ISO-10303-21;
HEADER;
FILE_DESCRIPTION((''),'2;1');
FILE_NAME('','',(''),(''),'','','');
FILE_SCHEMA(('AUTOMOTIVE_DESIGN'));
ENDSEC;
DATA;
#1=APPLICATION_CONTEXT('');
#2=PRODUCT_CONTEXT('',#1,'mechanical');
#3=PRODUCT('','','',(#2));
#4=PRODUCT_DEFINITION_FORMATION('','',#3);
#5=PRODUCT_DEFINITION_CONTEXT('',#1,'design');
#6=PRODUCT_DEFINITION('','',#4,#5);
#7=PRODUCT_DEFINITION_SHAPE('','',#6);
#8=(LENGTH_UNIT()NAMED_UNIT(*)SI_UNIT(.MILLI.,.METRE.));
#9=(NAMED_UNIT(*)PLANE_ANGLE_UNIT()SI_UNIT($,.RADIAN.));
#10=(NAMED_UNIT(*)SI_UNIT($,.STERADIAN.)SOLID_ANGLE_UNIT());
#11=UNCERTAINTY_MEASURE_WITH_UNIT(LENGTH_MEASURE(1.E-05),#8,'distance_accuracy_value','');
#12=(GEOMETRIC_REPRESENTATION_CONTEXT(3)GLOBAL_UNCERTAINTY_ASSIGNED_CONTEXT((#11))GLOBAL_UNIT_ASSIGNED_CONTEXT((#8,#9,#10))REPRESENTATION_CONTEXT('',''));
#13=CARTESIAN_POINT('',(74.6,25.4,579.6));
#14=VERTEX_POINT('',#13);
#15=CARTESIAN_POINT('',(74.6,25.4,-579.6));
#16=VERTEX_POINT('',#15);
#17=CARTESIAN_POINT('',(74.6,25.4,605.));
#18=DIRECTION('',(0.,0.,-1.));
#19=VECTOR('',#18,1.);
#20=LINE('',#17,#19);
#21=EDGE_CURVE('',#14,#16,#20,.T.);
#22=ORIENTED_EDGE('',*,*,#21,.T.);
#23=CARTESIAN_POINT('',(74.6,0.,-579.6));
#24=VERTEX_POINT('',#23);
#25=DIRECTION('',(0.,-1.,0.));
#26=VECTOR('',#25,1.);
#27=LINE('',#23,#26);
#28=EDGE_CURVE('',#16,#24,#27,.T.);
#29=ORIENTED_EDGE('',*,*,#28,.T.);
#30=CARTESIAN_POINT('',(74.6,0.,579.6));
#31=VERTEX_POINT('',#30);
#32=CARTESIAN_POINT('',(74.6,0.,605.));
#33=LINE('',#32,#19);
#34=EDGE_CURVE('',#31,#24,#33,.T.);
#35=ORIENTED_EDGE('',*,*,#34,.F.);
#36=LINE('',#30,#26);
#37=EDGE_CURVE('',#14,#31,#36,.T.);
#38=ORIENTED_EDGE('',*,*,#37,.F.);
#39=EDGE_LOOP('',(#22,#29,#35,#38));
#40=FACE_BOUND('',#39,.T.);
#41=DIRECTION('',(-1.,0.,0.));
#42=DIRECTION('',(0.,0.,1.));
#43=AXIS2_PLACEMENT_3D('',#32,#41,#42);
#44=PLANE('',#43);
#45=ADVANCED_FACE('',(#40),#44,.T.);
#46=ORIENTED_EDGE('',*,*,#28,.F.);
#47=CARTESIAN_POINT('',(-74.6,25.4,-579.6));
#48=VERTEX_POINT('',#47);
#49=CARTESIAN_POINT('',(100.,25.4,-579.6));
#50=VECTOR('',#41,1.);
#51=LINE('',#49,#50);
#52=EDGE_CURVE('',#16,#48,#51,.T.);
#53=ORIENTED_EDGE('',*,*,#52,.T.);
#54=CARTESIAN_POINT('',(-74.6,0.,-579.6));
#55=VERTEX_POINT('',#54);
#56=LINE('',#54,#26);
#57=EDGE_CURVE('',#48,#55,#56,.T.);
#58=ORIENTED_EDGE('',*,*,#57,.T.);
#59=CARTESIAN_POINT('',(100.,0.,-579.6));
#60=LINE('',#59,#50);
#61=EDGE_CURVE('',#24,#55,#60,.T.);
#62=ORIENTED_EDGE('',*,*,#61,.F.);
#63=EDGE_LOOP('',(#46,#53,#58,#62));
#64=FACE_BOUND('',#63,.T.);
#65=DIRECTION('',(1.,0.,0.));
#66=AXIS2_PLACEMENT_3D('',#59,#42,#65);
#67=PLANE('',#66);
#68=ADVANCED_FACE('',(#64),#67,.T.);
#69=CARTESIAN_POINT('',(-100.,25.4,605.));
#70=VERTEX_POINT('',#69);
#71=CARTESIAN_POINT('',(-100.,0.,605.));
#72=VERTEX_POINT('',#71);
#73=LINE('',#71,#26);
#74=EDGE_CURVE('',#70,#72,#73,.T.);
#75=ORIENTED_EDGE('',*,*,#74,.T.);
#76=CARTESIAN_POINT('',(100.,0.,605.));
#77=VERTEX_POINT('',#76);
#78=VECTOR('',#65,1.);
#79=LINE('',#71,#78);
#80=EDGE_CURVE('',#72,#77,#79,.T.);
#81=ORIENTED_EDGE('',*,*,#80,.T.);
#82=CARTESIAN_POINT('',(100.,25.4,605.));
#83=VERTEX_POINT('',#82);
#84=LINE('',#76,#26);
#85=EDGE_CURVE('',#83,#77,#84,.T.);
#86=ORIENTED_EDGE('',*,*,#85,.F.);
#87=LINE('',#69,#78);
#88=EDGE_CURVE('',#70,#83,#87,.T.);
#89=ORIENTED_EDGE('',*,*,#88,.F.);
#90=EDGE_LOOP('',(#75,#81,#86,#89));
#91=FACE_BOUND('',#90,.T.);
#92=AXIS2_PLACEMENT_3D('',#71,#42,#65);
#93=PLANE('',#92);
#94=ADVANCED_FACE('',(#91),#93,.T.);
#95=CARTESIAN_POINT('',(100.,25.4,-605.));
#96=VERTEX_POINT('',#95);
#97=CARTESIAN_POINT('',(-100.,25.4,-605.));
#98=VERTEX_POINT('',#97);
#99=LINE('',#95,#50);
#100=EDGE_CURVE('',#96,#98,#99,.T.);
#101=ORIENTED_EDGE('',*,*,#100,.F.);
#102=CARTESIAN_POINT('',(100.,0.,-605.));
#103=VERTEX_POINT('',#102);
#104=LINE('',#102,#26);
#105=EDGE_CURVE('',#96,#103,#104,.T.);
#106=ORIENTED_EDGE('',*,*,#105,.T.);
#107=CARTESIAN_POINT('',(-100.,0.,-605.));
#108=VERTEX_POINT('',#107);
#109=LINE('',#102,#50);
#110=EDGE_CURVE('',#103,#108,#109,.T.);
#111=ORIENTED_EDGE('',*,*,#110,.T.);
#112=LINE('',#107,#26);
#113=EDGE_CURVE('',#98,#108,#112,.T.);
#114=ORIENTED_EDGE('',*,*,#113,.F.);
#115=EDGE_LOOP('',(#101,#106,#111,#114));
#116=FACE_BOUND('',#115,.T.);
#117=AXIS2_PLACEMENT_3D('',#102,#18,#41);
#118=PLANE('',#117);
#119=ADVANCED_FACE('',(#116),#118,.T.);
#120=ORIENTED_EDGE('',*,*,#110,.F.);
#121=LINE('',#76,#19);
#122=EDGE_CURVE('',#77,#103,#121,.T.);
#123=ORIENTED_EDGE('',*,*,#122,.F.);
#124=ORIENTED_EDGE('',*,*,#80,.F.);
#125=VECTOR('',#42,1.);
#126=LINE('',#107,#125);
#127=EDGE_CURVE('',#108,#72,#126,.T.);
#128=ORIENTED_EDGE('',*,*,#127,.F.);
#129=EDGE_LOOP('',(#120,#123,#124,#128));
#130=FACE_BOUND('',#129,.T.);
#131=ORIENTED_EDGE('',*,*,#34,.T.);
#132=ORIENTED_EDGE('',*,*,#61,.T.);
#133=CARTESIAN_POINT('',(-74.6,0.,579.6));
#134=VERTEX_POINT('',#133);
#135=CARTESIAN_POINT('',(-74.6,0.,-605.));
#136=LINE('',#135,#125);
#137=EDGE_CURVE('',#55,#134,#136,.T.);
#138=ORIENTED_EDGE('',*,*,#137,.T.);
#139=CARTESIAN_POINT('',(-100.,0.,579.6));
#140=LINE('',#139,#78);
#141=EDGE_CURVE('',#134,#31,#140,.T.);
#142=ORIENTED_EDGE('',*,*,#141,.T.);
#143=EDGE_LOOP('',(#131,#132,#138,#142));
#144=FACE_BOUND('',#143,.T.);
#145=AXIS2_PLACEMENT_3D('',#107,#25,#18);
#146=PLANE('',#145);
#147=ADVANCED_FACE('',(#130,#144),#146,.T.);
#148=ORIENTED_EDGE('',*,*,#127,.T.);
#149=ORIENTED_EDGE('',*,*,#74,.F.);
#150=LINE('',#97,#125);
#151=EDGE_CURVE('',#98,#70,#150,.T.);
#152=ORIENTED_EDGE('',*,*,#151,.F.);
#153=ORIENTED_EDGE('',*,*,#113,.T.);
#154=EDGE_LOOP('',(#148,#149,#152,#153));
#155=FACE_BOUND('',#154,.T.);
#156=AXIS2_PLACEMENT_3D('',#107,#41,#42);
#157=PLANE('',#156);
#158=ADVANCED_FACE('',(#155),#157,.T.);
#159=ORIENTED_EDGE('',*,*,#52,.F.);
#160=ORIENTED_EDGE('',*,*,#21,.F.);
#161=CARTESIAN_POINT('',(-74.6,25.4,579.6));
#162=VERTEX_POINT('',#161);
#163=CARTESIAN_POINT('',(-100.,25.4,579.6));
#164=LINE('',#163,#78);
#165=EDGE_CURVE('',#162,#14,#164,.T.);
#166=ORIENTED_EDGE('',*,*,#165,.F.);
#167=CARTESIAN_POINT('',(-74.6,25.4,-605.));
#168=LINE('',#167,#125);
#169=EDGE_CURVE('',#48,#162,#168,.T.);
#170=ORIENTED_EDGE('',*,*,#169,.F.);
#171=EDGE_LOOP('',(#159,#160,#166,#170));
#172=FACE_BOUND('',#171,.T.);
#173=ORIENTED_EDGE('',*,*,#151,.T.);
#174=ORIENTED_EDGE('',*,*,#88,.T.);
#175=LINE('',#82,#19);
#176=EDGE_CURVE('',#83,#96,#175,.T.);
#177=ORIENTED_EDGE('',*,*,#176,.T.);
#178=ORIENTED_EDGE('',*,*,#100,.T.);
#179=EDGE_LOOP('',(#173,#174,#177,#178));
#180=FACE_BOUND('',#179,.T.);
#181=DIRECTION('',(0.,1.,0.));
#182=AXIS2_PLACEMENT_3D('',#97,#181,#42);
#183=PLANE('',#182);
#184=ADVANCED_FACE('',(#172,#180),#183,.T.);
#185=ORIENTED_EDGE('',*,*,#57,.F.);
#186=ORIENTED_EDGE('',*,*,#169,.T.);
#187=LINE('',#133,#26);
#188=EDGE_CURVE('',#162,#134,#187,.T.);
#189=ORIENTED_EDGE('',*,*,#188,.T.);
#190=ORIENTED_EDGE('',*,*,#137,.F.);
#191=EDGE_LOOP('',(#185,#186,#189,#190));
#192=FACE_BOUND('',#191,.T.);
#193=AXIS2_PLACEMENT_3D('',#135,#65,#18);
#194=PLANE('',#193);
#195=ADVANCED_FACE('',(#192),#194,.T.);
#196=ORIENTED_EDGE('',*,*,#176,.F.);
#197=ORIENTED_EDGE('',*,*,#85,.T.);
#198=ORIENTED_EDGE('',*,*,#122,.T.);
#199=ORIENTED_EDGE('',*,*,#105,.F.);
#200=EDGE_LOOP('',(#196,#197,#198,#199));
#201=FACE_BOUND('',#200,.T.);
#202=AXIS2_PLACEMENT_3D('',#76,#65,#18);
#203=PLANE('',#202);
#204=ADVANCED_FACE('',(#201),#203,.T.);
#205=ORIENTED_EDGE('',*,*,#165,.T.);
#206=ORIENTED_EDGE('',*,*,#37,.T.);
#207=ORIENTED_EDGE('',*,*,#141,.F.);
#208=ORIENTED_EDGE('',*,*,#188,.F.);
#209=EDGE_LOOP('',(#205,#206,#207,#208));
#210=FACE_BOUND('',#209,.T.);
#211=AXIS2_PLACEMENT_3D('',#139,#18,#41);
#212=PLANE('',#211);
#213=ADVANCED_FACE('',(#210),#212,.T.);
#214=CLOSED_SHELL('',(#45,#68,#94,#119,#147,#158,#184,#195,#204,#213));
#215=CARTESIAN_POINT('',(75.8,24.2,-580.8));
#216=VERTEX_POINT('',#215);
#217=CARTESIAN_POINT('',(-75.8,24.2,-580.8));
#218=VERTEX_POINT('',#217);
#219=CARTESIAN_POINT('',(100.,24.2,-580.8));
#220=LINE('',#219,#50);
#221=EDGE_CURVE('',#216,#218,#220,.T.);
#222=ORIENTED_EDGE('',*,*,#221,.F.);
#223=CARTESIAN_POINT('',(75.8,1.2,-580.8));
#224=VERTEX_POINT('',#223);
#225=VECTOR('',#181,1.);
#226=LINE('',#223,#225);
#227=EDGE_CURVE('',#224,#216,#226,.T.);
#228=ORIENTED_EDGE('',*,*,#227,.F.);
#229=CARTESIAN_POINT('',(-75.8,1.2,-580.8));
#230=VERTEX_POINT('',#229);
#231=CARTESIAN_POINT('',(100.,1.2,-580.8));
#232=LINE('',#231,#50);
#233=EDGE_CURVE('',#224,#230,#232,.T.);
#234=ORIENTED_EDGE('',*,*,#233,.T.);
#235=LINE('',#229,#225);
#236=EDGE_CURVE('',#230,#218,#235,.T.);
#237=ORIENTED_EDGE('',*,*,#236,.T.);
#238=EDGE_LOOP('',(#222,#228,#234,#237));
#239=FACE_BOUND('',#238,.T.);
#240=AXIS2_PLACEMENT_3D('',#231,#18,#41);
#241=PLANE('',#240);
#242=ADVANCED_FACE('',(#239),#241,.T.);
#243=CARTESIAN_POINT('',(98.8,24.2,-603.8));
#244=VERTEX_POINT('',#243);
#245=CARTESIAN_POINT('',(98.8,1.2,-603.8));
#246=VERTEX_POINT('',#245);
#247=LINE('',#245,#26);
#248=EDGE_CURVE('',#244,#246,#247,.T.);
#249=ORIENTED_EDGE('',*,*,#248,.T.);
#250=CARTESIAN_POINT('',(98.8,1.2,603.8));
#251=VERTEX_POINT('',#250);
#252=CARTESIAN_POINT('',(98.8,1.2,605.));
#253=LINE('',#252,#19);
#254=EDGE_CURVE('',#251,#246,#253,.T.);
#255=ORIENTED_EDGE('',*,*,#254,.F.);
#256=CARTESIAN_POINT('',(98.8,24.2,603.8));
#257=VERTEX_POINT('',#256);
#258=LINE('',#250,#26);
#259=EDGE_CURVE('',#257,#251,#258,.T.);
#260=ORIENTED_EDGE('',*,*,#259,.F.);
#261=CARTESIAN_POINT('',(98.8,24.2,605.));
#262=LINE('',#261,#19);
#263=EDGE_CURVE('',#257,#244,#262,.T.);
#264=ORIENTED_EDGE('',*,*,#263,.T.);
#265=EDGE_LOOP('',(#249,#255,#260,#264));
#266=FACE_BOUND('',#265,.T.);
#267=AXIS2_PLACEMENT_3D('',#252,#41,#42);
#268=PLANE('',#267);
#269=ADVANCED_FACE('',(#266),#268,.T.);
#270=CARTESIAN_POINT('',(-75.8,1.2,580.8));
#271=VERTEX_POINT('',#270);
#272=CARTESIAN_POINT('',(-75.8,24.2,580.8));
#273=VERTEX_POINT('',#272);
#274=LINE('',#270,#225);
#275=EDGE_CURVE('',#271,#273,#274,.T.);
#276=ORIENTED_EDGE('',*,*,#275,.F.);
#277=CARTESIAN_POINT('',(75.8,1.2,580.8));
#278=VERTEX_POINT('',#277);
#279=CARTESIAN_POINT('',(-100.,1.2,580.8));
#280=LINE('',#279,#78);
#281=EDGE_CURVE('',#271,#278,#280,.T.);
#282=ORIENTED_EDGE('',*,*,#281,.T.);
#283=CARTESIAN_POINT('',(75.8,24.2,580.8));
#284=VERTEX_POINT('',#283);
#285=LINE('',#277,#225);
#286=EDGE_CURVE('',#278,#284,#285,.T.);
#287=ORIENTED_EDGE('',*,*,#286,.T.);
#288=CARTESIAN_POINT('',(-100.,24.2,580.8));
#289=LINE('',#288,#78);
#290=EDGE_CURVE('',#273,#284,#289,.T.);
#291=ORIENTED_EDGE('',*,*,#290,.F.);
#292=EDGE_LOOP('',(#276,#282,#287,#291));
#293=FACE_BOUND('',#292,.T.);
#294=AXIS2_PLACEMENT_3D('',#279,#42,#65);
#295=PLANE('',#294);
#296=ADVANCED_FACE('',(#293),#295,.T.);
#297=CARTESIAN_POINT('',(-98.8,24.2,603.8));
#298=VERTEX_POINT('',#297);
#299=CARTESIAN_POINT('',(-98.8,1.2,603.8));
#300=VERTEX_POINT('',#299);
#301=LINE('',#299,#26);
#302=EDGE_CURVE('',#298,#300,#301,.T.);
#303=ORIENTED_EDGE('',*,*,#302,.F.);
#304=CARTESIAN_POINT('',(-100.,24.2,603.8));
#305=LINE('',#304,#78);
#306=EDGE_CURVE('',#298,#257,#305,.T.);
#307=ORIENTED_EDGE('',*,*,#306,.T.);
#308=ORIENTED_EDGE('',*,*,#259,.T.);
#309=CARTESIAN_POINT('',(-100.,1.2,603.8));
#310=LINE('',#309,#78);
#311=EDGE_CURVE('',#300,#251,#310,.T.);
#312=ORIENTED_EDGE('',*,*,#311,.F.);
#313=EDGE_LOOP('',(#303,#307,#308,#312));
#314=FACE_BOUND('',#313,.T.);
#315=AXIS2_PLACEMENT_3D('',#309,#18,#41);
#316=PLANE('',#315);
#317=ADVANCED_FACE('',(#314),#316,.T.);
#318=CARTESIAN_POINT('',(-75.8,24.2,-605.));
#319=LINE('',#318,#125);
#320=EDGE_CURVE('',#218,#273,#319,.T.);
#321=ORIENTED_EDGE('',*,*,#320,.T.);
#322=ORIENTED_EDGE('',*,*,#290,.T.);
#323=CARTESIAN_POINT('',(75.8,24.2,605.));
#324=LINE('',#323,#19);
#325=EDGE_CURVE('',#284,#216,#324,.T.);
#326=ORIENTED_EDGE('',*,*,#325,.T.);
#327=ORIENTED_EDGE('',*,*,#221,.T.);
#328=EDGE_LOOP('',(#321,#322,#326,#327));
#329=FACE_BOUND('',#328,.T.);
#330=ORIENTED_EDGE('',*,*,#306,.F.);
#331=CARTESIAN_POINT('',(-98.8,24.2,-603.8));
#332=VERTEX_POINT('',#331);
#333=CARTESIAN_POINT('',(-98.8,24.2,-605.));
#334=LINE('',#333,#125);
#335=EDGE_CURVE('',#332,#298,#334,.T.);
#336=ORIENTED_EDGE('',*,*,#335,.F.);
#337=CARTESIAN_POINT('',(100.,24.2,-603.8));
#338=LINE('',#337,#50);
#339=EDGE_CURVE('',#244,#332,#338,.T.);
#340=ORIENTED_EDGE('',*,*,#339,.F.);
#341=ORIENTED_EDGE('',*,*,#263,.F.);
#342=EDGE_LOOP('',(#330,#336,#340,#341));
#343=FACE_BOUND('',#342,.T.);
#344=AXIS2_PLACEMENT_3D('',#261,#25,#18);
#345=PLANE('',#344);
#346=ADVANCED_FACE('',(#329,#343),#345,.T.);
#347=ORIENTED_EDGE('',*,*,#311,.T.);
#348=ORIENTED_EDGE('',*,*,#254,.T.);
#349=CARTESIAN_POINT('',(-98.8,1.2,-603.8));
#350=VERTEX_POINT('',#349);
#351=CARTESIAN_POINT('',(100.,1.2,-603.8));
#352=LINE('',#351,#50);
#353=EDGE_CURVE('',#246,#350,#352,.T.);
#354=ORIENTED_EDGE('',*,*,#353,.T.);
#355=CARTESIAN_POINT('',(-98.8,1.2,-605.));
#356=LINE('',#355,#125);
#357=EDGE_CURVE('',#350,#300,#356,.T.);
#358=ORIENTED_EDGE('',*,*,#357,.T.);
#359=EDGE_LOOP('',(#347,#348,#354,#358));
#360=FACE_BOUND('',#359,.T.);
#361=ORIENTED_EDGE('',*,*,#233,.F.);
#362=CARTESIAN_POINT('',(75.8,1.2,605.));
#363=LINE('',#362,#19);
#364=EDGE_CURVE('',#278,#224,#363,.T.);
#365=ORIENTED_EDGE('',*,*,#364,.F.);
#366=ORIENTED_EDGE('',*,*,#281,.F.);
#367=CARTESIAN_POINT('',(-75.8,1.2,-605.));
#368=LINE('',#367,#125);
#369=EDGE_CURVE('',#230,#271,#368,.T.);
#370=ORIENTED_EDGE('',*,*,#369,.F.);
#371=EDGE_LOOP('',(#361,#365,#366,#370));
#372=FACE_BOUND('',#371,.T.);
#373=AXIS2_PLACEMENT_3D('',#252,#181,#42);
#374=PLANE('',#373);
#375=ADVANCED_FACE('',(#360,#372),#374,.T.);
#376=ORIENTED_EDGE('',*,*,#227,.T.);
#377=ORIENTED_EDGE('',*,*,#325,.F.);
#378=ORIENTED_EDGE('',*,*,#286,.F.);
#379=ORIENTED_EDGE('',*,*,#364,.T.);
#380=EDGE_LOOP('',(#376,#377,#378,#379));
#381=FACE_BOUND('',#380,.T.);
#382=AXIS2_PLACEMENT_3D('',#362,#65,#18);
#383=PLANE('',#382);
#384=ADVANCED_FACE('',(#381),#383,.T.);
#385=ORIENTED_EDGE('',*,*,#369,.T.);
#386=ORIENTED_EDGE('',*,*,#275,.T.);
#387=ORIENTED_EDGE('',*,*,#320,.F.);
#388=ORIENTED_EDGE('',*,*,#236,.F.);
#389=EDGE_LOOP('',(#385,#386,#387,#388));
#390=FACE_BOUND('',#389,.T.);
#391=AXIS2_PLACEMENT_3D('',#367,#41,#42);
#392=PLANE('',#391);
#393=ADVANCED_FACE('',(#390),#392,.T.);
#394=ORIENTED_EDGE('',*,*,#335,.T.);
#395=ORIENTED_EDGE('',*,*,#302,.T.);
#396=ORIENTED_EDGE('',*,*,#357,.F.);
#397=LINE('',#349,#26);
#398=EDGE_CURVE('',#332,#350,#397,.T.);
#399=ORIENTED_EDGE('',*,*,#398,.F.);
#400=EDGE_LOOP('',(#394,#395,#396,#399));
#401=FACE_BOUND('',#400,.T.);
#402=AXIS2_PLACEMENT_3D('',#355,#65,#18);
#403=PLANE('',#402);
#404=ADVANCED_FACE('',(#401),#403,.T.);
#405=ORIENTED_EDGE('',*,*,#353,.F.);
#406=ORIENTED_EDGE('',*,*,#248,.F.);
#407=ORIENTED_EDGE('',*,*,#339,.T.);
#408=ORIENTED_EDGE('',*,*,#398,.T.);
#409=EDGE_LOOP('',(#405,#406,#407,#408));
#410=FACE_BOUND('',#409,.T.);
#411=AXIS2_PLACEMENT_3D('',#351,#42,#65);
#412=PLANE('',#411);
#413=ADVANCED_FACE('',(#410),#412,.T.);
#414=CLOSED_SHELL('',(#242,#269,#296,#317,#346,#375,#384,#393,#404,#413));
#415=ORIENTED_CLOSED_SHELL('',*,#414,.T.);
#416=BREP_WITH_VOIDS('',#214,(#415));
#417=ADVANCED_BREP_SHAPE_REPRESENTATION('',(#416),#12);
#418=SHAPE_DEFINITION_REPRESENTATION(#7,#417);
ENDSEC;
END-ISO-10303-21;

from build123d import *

# Parameters (mm, degrees)
SKETCH2_W   = 25.4
SKETCH2_H   = 25.4
SKETCH2_W_2 = 23
SKETCH2_H_2 = 23


with BuildPart() as part:
    # Sweep1: sweep along a path in Sketch1
    with BuildLine(Plane(origin=(0, 0, 0), x_dir=(1, 0, 0), z_dir=(0, 1, 0))) as sweep1_path:
        Line((-100, 605), (100, 605))
        Line((100, 605), (100, -605))
        Line((100, -605), (-100, -605))
        Line((-100, -605), (-100, 605))
    # Sketch2 → Sweep1 (sweep)
    with BuildSketch(Plane(origin=(0, 0, 0), x_dir=(0, 0, -1), z_dir=(1, 0, 0))):
        with Locations((-592.3, 12.7)):
            Rectangle(SKETCH2_W, SKETCH2_H)
        with Locations((-592.3, 12.7)):
            Rectangle(SKETCH2_W_2, SKETCH2_H_2, mode=Mode.SUBTRACT)
    sweep(path=sweep1_path.line, transition=Transition.RIGHT)


solid = part.part
